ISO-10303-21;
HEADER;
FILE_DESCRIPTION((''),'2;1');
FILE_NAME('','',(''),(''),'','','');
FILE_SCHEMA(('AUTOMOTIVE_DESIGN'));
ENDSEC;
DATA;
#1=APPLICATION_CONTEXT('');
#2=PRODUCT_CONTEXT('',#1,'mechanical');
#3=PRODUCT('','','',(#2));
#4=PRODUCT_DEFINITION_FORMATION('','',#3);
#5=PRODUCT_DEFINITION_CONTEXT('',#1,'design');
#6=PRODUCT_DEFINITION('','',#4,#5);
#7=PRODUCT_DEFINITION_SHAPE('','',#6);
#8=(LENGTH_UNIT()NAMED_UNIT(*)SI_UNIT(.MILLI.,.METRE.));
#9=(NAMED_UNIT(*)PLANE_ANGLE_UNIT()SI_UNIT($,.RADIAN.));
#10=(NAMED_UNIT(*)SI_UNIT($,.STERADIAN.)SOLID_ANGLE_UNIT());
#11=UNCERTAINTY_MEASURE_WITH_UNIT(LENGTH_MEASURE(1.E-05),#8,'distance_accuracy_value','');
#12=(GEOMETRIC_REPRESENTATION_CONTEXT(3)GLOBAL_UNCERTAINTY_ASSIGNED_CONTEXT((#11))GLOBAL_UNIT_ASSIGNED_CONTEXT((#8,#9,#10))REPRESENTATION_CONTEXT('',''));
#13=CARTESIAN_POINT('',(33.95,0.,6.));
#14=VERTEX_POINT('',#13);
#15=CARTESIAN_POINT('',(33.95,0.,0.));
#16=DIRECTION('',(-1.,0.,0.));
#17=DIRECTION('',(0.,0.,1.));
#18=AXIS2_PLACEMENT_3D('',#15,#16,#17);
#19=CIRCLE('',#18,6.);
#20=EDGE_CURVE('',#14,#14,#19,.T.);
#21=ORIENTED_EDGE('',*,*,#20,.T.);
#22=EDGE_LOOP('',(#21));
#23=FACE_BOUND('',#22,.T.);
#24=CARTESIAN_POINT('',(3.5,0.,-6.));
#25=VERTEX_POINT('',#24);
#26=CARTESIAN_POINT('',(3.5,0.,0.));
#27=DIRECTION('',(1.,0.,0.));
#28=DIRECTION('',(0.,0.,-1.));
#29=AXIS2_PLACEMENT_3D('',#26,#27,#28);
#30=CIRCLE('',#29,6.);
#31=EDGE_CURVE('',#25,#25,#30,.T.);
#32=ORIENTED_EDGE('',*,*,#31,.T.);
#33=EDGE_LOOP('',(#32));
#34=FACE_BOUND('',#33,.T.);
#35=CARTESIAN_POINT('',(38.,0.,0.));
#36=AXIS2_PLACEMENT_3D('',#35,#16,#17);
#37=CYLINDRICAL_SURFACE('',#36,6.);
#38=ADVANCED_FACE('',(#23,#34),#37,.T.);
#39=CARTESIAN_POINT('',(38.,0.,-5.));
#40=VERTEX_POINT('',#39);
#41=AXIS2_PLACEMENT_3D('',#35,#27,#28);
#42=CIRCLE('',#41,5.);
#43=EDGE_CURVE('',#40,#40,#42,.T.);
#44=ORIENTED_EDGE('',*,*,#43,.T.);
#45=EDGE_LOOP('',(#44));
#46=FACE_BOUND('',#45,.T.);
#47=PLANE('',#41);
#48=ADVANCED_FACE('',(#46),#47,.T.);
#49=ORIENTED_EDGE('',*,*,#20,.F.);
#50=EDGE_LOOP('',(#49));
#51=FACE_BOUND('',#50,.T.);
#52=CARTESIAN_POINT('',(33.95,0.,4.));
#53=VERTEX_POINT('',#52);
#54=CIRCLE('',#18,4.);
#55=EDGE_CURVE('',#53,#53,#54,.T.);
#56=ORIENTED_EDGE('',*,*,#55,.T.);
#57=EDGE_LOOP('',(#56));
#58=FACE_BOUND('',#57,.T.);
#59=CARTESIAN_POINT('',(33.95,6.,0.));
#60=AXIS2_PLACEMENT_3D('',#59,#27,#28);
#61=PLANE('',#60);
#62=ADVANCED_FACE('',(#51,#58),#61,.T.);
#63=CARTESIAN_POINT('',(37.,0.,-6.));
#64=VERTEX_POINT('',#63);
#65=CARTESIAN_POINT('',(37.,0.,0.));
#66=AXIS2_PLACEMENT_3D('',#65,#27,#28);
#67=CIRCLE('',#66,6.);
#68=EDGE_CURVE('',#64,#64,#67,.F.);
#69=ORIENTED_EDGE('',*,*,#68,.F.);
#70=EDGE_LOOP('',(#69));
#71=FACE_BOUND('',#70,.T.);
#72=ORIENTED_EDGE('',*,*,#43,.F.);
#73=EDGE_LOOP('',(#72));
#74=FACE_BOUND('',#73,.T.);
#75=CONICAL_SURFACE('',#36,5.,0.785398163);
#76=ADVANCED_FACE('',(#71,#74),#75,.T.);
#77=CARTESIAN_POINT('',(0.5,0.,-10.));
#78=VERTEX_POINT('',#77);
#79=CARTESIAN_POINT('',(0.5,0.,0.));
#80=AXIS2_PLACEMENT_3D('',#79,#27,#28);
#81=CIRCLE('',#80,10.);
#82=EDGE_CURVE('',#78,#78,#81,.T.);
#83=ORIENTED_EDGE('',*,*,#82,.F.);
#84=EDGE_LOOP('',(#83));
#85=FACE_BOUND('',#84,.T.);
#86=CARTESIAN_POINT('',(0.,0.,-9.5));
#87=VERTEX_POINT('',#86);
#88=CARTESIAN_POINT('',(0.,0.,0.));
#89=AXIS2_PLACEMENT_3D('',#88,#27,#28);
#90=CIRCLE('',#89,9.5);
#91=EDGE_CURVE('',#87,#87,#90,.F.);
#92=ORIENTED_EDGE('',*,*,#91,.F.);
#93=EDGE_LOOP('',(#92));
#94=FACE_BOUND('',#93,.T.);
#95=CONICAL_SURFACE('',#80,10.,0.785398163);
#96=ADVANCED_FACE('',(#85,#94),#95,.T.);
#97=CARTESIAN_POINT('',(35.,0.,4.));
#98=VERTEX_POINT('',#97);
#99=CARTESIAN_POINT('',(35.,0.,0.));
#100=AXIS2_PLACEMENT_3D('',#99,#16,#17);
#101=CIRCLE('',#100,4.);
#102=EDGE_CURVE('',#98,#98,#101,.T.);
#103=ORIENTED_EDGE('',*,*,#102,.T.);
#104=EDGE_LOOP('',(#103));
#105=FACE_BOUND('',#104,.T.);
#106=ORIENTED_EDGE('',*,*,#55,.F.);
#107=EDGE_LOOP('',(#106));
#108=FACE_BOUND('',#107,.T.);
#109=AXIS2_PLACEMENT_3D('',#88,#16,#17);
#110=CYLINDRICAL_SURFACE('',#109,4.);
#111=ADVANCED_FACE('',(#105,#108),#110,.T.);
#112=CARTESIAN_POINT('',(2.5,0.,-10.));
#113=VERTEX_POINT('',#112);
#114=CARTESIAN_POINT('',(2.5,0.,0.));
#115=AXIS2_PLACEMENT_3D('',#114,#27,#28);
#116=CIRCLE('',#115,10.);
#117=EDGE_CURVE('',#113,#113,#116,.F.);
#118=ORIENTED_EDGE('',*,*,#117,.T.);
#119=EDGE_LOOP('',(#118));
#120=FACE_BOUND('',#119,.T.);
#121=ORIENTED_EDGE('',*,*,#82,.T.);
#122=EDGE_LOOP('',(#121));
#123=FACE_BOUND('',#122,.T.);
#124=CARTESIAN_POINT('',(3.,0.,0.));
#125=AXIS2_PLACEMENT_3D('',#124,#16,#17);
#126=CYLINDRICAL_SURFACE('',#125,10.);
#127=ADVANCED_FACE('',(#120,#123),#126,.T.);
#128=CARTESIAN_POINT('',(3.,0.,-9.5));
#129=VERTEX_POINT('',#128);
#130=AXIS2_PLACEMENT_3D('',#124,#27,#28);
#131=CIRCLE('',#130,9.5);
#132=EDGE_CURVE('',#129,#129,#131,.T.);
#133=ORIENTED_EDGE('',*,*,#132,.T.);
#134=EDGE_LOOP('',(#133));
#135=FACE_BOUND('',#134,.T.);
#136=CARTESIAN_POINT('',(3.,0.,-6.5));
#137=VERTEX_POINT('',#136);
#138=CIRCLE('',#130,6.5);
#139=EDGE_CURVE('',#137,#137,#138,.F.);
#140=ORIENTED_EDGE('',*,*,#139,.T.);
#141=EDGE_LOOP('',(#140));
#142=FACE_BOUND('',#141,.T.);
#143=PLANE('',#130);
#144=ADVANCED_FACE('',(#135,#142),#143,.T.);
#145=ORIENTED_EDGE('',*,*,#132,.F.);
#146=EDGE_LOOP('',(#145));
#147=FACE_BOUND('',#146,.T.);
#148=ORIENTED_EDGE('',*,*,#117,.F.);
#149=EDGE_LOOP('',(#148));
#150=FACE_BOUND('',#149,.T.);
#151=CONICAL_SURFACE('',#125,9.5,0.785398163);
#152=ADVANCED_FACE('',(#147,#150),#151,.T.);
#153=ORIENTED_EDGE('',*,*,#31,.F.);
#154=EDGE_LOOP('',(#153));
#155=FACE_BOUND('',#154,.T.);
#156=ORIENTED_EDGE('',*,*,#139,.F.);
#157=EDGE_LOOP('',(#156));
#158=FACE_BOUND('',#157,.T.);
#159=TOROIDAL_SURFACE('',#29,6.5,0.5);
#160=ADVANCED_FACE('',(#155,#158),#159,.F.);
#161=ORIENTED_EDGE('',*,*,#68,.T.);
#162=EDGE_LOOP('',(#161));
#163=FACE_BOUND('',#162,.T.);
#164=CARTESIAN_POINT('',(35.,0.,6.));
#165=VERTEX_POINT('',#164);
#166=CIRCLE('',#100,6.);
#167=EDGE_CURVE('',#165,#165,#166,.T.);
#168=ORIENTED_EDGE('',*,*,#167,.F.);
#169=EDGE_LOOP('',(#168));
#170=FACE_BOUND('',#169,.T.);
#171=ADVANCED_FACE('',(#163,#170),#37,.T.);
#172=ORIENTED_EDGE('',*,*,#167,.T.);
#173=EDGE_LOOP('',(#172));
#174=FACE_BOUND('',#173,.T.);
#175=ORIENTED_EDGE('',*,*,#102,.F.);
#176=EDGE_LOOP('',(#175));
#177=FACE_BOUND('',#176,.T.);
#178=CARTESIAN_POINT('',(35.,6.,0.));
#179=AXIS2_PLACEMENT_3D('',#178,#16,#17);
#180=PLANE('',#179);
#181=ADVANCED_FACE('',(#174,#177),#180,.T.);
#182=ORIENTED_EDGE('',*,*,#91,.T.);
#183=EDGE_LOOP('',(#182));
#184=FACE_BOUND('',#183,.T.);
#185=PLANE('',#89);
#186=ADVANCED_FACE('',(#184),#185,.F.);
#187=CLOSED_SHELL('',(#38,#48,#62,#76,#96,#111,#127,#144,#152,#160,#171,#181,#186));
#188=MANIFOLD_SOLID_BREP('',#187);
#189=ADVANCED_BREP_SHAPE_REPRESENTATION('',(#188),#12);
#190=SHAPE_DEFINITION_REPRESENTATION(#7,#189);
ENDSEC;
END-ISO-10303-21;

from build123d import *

# Parameters (mm, degrees)
SCHIZZO1_R                   = 10
ESTRUSIONE_ESTRUSIONE1_DEPTH = 3
SCHIZZO2_R                   = 6
ESTRUSIONE_ESTRUSIONE2_DEPTH = 35
SCHIZZO3_W                   = 1.05
SCHIZZO3_H                   = 2
SMUSSO1_SIZE                 = 1
SMUSSO2_SIZE                 = 0.5
RACCORDO1_R                  = 0.5


with BuildPart() as part:
    # Schizzo1 → Estrusione-Estrusione1 (new body)
    with BuildSketch(Plane(origin=(0, 0, 0), x_dir=(0, 0, -1), z_dir=(1, 0, 0))):
        Circle(SCHIZZO1_R)
    extrude(amount=ESTRUSIONE_ESTRUSIONE1_DEPTH)

    # Schizzo2 → Estrusione-Estrusione2 (add)
    with BuildSketch(Plane(origin=(3, 0, 0), x_dir=(0, 0, -1), z_dir=(1, 0, 0))):
        Circle(SCHIZZO2_R)
    extrude(amount=ESTRUSIONE_ESTRUSIONE2_DEPTH)

    # Schizzo3 → Taglia-Rivoluzione1 (revolve, cut)
    with BuildSketch(Plane.XY, mode=Mode.PRIVATE) as taglia_rivoluzione1_sk:
        with Locations((34.475, 5)):
            Rectangle(SCHIZZO3_W, SCHIZZO3_H)
    revolve(taglia_rivoluzione1_sk.sketch.rotate(Axis((0, 0, 0), (1, 0, 0)), 90), axis=Axis((0, 0, 0), (1, 0, 0)), mode=Mode.SUBTRACT)

    # Smusso1
    smusso1_edges = [part.edges().sort_by_distance(p)[0] for p in [
        (38, 0, 6),
    ]]
    chamfer(smusso1_edges, length=SMUSSO1_SIZE)

    # Smusso2
    smusso2_edges = [part.edges().sort_by_distance(p)[0] for p in [
        (0, 0, 10),
        (3, 0, 10),
    ]]
    chamfer(smusso2_edges, length=SMUSSO2_SIZE)

    # Raccordo1
    raccordo1_edges = [part.edges().sort_by_distance(p)[0] for p in [
        (3, 0, 6),
    ]]
    fillet(raccordo1_edges, radius=RACCORDO1_R)


solid = part.part
